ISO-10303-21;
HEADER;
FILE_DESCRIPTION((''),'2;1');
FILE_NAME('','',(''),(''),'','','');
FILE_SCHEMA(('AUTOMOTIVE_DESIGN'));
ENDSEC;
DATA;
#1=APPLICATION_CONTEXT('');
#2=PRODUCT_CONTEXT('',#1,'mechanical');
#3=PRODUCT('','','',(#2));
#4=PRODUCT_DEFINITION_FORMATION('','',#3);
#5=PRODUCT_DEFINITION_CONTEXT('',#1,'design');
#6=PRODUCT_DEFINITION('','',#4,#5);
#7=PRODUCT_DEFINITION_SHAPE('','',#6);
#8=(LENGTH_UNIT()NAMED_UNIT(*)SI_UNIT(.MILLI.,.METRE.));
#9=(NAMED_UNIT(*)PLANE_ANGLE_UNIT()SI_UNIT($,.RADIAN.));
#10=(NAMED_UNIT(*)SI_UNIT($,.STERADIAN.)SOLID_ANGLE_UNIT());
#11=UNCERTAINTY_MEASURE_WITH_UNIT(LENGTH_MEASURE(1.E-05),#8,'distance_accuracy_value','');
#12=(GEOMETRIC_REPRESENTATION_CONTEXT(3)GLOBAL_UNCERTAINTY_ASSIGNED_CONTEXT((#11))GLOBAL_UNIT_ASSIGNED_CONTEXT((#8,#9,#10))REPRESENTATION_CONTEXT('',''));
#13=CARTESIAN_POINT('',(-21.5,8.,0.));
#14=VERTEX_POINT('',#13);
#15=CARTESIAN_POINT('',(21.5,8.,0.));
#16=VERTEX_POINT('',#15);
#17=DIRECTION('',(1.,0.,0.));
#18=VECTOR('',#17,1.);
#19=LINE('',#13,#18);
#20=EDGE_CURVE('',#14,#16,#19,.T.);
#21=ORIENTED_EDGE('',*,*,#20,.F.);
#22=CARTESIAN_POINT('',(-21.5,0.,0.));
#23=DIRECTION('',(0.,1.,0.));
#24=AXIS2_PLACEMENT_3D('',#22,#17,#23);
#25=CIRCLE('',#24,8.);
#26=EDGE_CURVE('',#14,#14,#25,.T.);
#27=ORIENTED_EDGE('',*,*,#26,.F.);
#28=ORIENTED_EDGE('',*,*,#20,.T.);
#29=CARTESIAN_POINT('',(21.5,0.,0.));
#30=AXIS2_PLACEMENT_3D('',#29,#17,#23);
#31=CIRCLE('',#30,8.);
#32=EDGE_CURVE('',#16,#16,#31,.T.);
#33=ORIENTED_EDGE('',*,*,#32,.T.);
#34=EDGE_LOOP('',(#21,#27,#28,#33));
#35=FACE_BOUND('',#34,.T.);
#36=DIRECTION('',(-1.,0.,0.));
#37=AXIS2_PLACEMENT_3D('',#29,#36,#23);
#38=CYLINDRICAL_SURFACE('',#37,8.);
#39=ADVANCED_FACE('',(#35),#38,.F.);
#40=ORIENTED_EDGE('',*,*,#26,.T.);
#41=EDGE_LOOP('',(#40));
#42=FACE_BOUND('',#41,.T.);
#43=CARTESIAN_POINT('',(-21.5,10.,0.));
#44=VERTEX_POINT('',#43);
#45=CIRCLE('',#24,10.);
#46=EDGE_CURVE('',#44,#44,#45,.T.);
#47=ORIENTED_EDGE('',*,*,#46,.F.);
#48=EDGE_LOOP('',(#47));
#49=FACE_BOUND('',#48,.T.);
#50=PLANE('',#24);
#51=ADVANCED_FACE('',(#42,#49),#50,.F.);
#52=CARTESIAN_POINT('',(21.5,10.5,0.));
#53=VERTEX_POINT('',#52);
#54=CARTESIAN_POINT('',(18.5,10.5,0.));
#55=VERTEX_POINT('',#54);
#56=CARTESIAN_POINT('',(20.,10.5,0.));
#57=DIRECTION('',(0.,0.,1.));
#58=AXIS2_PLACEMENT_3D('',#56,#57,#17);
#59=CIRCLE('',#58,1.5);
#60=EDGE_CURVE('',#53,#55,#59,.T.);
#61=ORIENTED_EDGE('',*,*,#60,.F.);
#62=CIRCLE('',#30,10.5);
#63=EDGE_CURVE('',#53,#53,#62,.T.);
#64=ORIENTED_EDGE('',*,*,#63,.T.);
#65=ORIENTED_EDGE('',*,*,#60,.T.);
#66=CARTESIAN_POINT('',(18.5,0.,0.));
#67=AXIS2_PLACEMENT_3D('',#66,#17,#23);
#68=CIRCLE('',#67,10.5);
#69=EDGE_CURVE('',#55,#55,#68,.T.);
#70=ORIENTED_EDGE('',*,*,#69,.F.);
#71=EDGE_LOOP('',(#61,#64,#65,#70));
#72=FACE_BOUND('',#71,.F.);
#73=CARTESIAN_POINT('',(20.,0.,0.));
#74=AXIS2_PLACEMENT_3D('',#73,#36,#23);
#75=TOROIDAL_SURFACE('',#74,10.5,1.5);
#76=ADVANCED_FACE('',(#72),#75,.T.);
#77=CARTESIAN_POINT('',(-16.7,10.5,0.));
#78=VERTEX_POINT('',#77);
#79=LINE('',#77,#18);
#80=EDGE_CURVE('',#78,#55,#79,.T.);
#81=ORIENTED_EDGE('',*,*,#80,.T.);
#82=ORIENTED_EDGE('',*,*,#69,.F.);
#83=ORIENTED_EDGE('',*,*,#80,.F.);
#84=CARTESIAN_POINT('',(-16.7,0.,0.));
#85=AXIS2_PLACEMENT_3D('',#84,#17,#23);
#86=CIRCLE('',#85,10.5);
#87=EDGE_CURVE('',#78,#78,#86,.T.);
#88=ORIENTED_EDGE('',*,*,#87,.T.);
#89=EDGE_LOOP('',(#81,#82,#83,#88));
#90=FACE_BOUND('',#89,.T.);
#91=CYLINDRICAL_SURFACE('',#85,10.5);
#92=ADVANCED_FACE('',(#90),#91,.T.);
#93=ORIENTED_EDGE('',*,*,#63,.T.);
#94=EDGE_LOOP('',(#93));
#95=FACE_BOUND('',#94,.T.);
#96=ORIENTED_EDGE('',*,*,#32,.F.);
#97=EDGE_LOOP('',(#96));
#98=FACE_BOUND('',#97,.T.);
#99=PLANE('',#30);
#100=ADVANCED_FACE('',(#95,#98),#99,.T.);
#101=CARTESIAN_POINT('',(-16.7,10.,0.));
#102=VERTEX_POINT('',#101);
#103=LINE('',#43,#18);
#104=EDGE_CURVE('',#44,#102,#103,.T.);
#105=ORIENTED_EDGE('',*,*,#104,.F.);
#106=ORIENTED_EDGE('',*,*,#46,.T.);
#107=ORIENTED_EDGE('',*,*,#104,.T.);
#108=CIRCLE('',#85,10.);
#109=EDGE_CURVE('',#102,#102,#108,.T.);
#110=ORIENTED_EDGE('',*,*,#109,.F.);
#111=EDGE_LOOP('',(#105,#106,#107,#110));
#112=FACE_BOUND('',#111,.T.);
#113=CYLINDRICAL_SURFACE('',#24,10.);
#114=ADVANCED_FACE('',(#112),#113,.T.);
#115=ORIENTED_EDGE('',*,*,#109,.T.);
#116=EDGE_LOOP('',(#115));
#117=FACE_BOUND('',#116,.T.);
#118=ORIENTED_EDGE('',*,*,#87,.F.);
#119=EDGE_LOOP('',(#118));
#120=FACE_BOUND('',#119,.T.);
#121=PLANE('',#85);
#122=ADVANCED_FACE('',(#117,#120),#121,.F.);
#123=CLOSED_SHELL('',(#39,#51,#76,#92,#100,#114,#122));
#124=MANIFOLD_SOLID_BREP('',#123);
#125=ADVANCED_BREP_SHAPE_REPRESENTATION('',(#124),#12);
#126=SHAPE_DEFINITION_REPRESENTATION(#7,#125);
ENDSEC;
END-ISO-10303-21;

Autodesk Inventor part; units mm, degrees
ref_plane "YZ Plane" through (0, 0, 0) normal (1, 0, 0) x (0, 1, 0)
ref_plane "XZ Plane" through (0, 0, 0) normal (0, 1, 0) x (-1, 0, 0)
ref_plane "XY Plane" through (0, 0, 0) normal (0, 0, 1) x (1, 0, 0)
sketch "Skizze1" plane through (0, 0, 0) normal (0, 0, 1) x (1, 0, 0)
  line L0 (0, -2.4) -> (0, 14.4) projected
  line L1 (-30.1, 0) -> (30.1, 0) projected
  arc A0 (21.5, 10.5) -> (18.5, 10.5) centre (20, 10.5) ccw
  line L2 (21.5, 10.5) -> (21.5, 8)
  line L3 (21.5, 8) -> (-21.5, 8)
  line L4 (-21.5, 8) -> (-21.5, 10)
  line L5 (-21.5, 10) -> (-16.7, 10)
  line L6 (-16.7, 10) -> (-16.7, 10.5)
  line L7 (-16.7, 10.5) -> (18.5, 10.5)
  point P0 (0, 0)
  dimension "d0" = 3
  dimension "d1" = 21
  dimension "d2" = 16
  dimension "d3" = 43
  dimension "d4" = 4.8
  dimension "d5" = 20
revolve "Umdrehung1" add sketch "Skizze1" angle 360 about axis through (-10, 0, 0) along (1, 0, 0)
properties part number "Zylinder"
